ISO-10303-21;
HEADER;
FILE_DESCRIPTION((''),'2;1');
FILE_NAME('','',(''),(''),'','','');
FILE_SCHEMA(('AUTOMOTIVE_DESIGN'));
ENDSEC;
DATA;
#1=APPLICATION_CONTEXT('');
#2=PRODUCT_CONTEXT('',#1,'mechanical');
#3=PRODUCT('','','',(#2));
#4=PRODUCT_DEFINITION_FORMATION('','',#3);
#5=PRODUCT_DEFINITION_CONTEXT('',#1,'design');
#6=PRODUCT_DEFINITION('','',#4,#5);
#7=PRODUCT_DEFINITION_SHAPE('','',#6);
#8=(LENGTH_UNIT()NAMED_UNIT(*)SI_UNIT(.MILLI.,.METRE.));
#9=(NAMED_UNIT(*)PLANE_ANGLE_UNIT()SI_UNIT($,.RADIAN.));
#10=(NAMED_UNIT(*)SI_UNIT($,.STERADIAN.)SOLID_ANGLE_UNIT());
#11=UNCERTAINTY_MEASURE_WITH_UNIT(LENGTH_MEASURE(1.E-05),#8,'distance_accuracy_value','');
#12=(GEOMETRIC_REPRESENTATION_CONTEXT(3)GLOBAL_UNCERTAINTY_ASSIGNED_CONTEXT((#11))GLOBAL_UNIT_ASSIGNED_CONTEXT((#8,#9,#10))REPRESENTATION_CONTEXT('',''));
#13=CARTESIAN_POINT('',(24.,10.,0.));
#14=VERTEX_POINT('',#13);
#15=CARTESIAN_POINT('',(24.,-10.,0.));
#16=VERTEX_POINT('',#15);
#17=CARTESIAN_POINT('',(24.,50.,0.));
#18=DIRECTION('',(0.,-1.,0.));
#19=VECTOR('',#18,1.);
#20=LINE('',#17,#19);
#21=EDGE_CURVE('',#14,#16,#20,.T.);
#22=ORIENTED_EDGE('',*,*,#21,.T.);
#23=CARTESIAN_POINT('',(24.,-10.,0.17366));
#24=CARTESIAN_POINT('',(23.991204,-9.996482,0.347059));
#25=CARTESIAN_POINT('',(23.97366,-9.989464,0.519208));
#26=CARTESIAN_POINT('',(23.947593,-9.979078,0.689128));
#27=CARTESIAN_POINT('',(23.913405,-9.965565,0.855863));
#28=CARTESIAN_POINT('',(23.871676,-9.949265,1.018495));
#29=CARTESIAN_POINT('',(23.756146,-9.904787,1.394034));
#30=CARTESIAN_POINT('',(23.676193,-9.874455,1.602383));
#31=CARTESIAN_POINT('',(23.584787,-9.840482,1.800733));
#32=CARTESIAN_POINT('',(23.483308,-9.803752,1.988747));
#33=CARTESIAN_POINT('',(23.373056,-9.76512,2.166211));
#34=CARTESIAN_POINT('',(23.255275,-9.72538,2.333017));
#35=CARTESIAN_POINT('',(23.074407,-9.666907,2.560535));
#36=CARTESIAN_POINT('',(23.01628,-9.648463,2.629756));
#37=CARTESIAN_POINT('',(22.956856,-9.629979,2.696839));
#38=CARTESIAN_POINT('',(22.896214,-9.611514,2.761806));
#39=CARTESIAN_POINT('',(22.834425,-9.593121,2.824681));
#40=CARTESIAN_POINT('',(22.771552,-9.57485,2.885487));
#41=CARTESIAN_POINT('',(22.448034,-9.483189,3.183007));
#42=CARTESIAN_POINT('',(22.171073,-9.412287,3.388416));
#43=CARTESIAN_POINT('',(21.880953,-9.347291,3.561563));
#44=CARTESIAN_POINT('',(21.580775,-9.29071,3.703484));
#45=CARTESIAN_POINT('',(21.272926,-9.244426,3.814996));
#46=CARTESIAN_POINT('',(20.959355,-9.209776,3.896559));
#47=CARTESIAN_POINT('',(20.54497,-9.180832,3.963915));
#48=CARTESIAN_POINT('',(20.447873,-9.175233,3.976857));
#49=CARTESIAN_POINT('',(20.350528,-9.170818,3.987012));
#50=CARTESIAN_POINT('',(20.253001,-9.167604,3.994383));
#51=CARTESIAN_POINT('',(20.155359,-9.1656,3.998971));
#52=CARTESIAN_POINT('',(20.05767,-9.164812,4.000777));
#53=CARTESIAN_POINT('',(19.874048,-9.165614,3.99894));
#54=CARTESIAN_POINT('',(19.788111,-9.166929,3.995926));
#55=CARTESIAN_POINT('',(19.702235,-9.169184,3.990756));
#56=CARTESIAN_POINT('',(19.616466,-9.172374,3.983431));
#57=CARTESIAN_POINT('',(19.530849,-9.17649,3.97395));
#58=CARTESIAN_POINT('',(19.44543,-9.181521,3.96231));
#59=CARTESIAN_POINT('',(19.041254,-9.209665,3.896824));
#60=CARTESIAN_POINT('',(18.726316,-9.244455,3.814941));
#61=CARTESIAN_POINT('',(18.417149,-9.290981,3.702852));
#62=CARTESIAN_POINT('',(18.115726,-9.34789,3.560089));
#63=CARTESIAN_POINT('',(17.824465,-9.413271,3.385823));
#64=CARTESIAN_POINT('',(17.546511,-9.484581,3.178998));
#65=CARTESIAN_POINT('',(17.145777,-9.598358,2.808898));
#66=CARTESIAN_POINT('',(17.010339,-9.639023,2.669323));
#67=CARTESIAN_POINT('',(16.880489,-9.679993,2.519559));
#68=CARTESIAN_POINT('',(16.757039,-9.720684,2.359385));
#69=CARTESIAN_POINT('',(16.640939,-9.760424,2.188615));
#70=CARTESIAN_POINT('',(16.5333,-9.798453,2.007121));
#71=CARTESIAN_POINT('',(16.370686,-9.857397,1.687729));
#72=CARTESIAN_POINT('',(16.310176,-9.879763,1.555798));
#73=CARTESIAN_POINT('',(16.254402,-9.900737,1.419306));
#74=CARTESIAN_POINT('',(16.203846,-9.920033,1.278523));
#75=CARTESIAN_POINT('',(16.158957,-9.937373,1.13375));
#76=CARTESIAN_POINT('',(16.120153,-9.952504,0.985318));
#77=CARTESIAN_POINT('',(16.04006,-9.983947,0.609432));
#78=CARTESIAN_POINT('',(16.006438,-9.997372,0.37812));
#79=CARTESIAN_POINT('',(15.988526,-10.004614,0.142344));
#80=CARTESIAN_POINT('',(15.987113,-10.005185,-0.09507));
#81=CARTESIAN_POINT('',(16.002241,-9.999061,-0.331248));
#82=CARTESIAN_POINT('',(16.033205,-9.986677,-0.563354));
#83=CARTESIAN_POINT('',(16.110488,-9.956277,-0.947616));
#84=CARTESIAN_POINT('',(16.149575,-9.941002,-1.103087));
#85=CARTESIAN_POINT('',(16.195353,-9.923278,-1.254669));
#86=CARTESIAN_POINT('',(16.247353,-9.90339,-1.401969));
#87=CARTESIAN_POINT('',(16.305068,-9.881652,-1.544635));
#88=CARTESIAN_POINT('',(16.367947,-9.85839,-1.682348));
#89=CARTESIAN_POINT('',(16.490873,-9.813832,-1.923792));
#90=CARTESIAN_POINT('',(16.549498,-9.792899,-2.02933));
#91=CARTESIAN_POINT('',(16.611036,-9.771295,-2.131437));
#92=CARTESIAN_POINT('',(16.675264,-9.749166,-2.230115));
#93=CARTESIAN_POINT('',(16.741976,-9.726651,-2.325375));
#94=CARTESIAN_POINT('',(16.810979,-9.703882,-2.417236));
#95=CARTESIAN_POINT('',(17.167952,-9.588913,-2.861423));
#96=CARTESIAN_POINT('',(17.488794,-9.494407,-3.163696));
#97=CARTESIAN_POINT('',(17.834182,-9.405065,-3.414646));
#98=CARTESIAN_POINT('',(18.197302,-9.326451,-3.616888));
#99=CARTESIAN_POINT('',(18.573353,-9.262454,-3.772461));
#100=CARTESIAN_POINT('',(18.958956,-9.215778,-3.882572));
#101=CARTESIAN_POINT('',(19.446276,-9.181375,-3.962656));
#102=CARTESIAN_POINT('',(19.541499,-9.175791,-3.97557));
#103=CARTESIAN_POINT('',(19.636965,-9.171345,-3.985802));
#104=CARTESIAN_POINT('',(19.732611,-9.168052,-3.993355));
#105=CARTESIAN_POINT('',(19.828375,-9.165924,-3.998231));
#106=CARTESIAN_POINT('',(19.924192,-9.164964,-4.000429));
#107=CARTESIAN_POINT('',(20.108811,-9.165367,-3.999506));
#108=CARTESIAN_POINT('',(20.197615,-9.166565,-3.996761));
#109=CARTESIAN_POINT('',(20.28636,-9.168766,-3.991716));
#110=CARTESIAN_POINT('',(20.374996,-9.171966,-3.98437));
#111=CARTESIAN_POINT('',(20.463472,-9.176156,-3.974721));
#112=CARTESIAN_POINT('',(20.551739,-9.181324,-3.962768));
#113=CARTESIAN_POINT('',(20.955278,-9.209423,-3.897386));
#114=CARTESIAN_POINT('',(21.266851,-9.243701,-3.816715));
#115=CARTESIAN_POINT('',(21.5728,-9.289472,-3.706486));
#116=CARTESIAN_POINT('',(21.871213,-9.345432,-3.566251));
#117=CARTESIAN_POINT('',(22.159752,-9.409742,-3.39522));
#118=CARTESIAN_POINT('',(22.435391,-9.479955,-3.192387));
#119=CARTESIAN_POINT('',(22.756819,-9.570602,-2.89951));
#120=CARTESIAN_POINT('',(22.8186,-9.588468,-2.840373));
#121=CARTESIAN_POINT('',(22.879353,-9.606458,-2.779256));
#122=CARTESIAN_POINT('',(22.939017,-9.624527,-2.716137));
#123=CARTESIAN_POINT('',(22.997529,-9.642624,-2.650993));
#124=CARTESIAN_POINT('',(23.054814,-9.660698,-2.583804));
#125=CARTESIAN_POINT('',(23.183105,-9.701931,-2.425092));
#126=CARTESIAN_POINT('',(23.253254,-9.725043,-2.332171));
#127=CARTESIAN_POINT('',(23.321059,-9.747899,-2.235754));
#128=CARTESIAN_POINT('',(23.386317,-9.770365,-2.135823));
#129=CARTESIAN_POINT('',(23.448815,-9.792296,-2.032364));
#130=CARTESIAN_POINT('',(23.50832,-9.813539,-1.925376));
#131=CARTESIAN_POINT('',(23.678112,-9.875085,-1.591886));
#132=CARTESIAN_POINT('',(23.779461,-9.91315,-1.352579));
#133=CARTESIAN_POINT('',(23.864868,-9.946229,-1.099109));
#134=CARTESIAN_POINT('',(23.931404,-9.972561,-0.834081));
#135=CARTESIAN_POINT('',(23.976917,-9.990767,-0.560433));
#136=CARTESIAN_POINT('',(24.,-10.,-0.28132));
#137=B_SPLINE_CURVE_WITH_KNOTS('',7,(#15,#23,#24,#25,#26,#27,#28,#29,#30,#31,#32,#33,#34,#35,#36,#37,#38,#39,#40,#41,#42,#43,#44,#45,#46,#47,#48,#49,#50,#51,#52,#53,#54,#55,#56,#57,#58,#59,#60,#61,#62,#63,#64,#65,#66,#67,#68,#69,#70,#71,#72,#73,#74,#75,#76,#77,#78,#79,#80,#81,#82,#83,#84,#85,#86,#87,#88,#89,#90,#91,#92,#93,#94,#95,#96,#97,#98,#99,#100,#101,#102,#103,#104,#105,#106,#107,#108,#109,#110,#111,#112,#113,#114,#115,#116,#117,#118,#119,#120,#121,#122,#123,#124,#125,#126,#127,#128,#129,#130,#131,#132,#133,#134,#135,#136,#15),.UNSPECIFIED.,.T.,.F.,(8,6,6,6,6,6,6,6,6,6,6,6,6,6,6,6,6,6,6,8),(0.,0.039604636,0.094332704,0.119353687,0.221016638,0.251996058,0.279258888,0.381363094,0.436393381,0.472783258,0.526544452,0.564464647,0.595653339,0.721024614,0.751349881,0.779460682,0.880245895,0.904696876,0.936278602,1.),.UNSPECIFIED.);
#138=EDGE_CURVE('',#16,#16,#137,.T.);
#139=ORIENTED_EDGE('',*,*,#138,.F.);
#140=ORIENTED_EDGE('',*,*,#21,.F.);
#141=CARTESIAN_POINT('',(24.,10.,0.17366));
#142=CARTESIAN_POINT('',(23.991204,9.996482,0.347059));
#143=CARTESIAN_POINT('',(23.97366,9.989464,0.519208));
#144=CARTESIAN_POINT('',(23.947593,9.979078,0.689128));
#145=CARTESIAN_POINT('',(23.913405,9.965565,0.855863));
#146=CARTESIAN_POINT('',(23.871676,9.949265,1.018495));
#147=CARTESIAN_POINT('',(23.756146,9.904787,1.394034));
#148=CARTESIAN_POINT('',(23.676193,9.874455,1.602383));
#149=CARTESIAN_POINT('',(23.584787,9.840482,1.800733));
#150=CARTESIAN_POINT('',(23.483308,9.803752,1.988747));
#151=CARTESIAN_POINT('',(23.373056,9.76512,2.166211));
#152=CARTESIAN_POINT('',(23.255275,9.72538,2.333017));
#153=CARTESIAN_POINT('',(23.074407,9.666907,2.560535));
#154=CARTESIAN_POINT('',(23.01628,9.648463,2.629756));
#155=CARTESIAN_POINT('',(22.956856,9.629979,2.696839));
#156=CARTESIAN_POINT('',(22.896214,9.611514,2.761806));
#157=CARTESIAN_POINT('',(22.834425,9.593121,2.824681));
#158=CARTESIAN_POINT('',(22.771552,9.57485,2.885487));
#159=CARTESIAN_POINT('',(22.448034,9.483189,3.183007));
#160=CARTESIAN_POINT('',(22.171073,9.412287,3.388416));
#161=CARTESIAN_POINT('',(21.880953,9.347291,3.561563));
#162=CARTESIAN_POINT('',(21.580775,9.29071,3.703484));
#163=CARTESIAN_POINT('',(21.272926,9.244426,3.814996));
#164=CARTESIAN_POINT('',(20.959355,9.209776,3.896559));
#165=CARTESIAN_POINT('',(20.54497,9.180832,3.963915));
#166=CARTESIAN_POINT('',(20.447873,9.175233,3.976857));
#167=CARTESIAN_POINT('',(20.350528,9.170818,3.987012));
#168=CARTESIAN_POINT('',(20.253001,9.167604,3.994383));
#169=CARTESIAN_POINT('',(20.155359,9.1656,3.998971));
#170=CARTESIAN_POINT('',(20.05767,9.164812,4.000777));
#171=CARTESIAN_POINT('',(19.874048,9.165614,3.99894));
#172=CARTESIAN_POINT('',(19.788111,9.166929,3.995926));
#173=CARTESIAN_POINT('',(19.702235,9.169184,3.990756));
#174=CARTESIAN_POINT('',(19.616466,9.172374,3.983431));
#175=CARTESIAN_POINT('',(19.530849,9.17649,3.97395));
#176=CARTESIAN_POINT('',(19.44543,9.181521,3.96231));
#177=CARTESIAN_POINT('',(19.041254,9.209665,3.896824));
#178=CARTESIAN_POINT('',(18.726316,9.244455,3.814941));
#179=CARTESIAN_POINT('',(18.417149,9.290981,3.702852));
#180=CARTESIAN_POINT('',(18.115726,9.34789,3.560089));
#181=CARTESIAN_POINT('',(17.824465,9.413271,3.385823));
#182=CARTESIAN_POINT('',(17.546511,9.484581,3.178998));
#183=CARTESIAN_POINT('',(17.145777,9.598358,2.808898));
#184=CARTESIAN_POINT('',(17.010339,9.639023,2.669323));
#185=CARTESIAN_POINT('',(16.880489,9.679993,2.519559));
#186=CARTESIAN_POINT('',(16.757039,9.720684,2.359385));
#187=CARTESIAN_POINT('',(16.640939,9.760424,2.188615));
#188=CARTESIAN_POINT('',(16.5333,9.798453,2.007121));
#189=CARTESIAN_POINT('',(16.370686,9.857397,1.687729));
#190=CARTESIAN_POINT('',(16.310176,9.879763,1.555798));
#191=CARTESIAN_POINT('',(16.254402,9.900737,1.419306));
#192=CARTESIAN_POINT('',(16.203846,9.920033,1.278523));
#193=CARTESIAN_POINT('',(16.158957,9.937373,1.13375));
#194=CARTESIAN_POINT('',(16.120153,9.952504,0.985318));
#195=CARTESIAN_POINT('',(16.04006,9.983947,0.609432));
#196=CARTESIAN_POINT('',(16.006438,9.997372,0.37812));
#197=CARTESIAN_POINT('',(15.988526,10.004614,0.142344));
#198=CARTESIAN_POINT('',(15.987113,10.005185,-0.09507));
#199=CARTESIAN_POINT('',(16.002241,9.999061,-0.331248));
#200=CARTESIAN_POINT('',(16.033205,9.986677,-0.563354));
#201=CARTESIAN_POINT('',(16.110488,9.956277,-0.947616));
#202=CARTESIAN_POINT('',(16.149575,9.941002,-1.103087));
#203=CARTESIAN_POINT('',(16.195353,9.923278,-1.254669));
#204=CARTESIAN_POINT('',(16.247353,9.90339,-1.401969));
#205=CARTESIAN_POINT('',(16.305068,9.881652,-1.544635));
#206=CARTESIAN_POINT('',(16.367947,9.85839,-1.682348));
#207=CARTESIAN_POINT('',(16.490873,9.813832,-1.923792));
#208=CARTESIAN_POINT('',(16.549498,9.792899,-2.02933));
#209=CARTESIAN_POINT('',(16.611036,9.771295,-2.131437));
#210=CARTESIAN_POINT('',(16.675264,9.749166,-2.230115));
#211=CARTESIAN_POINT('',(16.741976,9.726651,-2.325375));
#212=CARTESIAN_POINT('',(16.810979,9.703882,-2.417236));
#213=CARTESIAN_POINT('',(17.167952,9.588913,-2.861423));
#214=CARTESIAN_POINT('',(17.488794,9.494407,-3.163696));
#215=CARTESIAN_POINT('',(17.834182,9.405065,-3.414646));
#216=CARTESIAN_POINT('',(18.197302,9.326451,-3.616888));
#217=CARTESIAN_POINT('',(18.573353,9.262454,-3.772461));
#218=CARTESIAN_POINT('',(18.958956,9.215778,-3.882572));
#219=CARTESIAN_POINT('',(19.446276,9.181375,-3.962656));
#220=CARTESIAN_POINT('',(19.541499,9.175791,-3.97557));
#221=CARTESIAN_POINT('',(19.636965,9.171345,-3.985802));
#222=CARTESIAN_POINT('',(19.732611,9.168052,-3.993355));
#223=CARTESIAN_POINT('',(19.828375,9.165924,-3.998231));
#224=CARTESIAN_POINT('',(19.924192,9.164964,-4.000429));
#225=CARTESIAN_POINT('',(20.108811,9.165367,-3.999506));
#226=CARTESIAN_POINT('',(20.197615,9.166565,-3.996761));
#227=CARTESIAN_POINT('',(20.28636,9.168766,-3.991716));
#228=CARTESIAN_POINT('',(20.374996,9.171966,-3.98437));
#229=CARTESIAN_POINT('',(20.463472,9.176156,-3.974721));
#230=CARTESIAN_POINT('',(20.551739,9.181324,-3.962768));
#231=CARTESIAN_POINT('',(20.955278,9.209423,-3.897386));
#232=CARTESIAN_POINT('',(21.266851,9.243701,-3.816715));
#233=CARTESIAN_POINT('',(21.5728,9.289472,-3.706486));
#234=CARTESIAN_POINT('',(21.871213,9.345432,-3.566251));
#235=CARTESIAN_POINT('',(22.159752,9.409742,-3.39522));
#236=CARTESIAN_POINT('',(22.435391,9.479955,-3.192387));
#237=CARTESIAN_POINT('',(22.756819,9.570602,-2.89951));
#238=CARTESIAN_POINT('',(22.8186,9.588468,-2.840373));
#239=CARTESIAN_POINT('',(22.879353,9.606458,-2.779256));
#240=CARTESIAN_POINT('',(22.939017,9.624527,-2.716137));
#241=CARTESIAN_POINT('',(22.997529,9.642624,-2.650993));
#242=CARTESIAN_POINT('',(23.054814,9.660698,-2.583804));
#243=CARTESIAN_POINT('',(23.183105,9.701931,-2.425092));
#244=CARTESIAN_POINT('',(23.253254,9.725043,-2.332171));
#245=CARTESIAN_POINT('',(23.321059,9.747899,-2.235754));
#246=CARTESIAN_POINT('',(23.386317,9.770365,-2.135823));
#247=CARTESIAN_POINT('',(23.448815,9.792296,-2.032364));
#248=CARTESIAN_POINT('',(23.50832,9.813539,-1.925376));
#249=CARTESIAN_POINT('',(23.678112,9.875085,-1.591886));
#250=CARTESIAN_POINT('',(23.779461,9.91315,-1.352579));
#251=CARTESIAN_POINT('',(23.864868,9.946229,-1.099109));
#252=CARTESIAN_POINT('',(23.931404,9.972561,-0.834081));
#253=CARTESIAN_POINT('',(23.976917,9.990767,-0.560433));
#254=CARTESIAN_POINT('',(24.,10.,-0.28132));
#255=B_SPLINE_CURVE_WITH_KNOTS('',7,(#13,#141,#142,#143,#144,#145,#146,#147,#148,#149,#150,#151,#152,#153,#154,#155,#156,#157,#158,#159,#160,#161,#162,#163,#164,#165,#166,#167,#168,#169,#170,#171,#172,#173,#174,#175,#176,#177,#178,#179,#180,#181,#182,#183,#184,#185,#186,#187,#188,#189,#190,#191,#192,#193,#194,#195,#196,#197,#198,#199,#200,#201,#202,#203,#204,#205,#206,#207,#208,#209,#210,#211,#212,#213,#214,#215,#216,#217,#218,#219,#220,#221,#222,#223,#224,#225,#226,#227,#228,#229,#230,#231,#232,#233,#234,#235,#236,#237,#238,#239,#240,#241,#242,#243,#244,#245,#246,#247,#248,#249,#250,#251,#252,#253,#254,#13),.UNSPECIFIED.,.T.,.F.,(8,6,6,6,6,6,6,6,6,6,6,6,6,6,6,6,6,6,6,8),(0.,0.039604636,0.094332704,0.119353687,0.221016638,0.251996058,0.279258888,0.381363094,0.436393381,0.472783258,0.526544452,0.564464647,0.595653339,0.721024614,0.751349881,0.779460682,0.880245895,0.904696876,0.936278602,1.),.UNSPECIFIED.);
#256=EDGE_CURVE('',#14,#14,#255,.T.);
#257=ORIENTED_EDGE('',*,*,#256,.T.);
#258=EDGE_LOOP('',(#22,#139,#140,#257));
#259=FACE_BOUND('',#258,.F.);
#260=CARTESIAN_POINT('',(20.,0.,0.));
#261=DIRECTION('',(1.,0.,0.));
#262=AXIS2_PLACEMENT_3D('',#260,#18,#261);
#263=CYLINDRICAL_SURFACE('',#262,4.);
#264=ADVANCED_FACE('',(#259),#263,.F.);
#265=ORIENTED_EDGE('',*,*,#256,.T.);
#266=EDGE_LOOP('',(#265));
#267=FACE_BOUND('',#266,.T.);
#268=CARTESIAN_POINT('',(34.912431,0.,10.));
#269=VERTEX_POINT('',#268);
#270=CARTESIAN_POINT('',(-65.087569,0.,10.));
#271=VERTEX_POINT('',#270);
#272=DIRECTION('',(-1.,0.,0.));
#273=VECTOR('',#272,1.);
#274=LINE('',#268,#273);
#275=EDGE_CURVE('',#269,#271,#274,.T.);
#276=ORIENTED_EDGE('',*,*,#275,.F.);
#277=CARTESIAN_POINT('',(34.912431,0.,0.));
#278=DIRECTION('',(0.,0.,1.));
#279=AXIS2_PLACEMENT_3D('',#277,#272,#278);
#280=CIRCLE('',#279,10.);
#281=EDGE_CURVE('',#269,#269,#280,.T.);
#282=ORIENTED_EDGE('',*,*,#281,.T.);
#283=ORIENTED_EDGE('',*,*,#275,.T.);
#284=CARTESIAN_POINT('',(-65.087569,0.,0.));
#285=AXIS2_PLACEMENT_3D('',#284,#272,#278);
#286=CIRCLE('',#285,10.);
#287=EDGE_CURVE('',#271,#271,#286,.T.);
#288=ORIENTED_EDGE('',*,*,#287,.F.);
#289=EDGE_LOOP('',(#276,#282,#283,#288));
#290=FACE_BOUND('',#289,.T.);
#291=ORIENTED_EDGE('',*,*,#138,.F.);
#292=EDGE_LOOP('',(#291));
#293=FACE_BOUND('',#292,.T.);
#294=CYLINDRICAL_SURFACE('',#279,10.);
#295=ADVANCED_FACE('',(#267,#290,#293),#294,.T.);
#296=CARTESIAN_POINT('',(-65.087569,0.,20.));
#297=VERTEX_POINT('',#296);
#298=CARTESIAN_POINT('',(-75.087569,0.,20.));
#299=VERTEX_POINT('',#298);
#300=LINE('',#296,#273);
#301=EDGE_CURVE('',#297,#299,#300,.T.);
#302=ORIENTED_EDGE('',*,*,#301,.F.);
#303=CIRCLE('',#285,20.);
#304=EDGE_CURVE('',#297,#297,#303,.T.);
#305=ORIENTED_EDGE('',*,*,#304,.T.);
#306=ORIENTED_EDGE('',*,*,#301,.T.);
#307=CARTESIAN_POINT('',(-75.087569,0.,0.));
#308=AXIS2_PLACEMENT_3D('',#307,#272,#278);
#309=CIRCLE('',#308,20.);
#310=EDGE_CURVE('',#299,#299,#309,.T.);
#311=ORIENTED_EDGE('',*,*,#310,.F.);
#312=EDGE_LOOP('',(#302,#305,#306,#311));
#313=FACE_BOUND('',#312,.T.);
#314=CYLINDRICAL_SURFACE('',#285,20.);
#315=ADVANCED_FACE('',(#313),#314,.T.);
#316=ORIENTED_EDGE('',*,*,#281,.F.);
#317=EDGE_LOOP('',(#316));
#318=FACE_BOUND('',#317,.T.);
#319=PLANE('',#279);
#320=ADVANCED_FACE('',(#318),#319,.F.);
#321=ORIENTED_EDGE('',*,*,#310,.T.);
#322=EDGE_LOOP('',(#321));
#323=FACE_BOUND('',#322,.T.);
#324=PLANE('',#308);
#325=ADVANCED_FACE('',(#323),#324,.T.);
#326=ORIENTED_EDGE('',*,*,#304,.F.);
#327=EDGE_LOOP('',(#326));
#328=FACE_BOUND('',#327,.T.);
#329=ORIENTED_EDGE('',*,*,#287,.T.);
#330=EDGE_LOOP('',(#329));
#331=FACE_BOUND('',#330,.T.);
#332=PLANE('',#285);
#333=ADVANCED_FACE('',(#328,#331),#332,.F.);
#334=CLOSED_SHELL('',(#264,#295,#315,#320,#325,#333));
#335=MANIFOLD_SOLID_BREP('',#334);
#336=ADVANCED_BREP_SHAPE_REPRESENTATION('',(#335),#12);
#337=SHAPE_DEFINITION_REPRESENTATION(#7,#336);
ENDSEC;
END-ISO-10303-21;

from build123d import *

# Parameters (mm, degrees)
F2_R     = 4
F3_DEPTH = 50


with BuildPart() as f1:
    # F0 (on Front) → F1 (revolve)
    with BuildSketch(Plane.XZ):
        Polygon((-75.087569, 20), (-75.087569, 0), (34.912431, 0), (34.912431, 10), (-65.087569, 10), (-65.087569, 20), align=None)
    revolve(axis=Axis((-20.087569, 0, 0), (-1, 0, 0)))

    # F2 (on Front) → F3 (cut, symmetric)
    with BuildSketch(Plane.XZ):
        with Locations((20, 0)):
            Circle(F2_R)
    extrude(amount=F3_DEPTH, both=True, mode=Mode.SUBTRACT)


solid = f1.part
